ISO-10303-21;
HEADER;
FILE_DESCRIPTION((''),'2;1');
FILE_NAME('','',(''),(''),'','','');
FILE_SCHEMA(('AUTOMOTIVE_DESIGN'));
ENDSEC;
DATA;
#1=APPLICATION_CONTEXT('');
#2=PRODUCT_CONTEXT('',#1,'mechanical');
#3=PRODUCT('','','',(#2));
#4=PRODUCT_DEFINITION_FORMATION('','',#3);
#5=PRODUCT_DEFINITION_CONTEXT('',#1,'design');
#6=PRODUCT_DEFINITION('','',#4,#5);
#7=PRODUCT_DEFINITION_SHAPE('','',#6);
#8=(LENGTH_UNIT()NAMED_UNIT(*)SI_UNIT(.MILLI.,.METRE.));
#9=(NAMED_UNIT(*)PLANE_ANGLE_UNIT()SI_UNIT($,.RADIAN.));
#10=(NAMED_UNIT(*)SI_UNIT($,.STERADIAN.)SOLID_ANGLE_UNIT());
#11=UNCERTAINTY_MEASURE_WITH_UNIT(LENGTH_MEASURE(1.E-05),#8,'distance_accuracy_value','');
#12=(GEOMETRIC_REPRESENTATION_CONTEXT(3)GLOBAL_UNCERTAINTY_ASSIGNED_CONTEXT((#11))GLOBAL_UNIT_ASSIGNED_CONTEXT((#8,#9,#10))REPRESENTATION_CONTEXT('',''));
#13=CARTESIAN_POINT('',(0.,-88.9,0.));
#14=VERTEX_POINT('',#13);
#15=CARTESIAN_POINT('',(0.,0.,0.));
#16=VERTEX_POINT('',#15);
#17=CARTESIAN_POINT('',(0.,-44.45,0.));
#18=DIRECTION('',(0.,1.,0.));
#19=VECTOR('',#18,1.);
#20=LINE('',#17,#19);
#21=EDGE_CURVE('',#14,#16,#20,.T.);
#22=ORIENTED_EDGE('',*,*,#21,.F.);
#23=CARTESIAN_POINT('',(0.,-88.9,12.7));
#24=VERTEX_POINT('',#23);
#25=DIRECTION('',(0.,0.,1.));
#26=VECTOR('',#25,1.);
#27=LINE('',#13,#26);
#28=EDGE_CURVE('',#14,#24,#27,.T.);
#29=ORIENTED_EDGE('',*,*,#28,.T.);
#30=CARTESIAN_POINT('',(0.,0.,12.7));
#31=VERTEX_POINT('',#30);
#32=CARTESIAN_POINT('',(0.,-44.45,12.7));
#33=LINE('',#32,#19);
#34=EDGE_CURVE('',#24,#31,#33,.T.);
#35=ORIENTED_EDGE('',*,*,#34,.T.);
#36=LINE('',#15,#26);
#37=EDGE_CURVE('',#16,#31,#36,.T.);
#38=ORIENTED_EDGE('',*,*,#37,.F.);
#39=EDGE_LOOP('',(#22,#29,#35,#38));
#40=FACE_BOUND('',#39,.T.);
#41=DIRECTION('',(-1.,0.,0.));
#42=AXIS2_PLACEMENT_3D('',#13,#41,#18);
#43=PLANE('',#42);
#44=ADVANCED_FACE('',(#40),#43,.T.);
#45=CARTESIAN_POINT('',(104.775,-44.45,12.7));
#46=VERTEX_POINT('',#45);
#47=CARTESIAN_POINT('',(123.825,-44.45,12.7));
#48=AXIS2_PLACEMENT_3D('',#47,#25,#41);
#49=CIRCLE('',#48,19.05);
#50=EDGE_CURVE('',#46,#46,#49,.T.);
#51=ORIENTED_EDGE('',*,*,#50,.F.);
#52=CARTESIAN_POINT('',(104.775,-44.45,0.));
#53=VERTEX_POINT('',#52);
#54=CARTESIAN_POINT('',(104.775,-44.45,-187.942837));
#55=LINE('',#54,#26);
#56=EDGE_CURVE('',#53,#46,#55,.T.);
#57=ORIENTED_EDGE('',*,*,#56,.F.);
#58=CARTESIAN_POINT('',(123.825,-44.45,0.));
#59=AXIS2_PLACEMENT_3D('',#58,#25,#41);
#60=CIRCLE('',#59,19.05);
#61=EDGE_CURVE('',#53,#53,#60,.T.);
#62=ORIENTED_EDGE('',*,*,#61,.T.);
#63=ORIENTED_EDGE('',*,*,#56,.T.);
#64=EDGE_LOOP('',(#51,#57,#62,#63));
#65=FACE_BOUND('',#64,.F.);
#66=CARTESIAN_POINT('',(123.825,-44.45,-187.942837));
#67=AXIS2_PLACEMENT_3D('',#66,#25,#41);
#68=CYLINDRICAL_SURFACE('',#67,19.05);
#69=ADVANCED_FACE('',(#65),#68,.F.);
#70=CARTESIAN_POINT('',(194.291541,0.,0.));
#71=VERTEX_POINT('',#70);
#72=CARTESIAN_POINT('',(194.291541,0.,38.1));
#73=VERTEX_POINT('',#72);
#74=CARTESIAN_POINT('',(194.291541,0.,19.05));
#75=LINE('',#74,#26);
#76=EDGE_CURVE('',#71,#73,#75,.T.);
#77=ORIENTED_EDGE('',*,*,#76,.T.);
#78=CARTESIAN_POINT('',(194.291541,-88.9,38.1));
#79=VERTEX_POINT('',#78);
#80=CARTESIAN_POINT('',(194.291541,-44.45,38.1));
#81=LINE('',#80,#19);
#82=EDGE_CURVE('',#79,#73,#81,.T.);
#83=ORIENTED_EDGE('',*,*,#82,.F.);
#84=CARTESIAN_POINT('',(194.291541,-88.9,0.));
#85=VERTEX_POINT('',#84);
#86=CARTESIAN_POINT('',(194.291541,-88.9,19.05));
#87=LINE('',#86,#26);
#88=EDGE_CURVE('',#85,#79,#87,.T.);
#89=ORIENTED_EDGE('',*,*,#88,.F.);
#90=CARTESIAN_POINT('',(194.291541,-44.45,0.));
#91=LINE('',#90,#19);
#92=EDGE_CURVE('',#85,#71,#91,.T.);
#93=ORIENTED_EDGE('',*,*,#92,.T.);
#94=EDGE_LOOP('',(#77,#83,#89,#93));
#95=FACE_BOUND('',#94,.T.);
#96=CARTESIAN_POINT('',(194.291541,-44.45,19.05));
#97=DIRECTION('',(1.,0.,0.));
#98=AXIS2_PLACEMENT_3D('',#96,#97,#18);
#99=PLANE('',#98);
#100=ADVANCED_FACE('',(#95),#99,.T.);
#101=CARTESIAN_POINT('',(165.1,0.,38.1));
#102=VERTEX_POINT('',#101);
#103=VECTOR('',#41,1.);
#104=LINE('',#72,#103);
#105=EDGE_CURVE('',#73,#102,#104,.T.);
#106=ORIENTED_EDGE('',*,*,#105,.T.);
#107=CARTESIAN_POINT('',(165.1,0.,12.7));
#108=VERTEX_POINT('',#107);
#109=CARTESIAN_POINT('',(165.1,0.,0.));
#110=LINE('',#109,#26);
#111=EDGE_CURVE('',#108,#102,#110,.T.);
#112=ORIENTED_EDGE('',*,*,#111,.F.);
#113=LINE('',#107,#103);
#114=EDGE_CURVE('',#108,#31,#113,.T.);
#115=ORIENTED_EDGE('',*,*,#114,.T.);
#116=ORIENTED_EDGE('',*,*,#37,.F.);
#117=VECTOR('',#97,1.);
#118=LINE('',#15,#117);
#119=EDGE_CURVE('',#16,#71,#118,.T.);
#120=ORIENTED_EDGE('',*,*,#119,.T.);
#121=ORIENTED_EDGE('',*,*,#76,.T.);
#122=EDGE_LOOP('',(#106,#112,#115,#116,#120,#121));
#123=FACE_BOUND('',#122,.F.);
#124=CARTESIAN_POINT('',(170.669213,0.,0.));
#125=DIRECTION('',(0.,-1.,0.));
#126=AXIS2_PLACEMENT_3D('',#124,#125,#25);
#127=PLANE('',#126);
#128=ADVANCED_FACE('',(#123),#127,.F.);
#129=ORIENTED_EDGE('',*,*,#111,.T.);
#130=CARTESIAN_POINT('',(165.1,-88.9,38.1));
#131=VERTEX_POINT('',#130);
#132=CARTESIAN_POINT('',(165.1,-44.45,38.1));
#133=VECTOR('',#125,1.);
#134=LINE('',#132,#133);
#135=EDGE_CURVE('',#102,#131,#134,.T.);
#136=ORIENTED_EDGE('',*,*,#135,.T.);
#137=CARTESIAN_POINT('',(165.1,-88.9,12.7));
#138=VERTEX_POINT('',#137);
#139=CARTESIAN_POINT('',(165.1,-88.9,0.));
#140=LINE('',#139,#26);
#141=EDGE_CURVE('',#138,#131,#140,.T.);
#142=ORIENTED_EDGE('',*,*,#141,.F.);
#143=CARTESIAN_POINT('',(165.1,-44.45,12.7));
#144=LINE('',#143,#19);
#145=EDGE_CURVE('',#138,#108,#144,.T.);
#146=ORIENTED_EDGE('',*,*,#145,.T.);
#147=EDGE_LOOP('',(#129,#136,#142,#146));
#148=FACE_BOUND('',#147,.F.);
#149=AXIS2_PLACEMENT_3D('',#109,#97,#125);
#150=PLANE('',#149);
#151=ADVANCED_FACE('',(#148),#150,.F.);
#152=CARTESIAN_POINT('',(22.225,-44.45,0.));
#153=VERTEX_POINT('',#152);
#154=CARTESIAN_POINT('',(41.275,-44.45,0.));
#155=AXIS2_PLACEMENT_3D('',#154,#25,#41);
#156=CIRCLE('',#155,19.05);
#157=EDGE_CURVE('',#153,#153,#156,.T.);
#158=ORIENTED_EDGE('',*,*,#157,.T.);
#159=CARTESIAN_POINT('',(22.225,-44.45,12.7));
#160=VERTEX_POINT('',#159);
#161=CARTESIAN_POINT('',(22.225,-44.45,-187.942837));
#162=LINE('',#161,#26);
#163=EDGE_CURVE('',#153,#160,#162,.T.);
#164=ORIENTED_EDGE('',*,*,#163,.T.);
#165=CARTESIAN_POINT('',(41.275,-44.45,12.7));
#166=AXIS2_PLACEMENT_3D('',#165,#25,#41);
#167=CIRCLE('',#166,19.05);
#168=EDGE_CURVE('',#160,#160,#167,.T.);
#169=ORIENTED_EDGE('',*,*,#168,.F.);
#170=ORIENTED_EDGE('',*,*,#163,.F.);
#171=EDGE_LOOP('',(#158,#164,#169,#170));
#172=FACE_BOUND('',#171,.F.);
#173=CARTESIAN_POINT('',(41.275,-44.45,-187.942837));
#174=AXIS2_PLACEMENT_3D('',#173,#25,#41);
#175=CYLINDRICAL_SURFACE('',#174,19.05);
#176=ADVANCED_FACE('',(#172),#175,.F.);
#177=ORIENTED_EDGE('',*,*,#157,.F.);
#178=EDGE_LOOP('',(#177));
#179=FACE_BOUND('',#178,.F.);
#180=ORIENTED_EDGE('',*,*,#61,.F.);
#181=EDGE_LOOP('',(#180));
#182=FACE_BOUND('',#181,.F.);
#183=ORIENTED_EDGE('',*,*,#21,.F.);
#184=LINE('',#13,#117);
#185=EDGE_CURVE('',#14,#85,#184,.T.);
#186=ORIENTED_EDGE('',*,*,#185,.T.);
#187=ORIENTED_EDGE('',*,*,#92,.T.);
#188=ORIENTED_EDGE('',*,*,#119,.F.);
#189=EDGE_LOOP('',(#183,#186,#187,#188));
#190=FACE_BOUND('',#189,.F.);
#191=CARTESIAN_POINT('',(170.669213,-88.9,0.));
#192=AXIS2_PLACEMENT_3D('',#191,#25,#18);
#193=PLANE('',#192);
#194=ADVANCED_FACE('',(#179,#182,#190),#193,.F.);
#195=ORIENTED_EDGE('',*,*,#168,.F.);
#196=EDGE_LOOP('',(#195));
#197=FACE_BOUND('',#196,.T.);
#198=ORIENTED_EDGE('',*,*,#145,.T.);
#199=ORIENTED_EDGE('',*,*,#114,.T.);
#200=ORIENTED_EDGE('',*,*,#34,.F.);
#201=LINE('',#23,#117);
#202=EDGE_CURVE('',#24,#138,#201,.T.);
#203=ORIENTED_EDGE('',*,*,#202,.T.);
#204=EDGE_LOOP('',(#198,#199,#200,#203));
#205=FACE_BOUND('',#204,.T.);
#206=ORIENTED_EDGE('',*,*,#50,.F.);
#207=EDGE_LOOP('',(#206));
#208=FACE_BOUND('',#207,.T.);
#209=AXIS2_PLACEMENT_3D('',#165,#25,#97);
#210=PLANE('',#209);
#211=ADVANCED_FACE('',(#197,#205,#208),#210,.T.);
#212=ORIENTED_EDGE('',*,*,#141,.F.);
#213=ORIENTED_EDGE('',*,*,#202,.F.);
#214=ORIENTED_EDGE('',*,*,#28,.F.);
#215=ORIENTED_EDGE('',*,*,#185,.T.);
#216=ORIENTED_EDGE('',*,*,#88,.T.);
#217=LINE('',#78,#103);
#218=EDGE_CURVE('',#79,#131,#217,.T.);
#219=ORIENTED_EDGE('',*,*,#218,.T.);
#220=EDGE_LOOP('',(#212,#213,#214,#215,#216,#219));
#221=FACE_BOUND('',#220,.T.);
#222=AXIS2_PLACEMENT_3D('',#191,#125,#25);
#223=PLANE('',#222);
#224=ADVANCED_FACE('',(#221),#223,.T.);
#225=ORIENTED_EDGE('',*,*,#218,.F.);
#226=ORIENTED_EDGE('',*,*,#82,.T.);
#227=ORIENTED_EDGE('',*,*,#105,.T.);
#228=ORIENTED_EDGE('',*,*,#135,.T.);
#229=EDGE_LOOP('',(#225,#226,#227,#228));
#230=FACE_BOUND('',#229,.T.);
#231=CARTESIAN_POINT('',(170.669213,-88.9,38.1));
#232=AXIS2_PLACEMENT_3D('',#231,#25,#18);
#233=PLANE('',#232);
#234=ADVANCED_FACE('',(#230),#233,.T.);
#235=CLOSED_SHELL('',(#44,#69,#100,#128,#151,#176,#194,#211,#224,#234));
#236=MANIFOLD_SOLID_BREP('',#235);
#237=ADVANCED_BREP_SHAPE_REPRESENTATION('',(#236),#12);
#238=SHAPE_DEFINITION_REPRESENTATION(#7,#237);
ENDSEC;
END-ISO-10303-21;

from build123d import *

# Parameters (mm, degrees)
F0_W     = 82.55
F0_H     = 88.9
F1_DEPTH = 12.7
F3_D     = 38.1
F4_W     = 5.5692129374
F4_H     = 88.9
F5_DEPTH = 38.1
F6_W     = 88.9
F6_H     = 38.1
F7_DEPTH = 23.6223284155


with BuildPart() as f1:
    # F0 (on Top) → F1 (new body)
    with BuildSketch(Plane.XY):
        with Locations((41.275, -44.45)):
            Rectangle(F0_W, F0_H)
        with Locations((123.825, -44.45)):
            Rectangle(F0_W, F0_H)
    extrude(amount=F1_DEPTH)

    # F3 (through all)
    with Locations(Plane(origin=(0, 0, 0), x_dir=(1, 0, 0), z_dir=(0, 0, -1))):
        with Locations((123.825, 44.45), (41.275, 44.45)):
            Hole(F3_D / 2)

    # F4 (on face) → F5 (join)
    with BuildSketch(Plane(origin=(0, 0, 0), x_dir=(1, 0, 0), z_dir=(0, 0, -1))):
        with Locations((167.8846064687, 44.45)):
            Rectangle(F4_W, F4_H)
    extrude(amount=-F5_DEPTH)

    # F6 (on face) → F7 (join)
    with BuildSketch(Plane.YZ.offset(170.6692129374)):
        with Locations((-44.45, 19.05)):
            Rectangle(F6_W, F6_H)
    extrude(amount=F7_DEPTH)


solid = f1.part
